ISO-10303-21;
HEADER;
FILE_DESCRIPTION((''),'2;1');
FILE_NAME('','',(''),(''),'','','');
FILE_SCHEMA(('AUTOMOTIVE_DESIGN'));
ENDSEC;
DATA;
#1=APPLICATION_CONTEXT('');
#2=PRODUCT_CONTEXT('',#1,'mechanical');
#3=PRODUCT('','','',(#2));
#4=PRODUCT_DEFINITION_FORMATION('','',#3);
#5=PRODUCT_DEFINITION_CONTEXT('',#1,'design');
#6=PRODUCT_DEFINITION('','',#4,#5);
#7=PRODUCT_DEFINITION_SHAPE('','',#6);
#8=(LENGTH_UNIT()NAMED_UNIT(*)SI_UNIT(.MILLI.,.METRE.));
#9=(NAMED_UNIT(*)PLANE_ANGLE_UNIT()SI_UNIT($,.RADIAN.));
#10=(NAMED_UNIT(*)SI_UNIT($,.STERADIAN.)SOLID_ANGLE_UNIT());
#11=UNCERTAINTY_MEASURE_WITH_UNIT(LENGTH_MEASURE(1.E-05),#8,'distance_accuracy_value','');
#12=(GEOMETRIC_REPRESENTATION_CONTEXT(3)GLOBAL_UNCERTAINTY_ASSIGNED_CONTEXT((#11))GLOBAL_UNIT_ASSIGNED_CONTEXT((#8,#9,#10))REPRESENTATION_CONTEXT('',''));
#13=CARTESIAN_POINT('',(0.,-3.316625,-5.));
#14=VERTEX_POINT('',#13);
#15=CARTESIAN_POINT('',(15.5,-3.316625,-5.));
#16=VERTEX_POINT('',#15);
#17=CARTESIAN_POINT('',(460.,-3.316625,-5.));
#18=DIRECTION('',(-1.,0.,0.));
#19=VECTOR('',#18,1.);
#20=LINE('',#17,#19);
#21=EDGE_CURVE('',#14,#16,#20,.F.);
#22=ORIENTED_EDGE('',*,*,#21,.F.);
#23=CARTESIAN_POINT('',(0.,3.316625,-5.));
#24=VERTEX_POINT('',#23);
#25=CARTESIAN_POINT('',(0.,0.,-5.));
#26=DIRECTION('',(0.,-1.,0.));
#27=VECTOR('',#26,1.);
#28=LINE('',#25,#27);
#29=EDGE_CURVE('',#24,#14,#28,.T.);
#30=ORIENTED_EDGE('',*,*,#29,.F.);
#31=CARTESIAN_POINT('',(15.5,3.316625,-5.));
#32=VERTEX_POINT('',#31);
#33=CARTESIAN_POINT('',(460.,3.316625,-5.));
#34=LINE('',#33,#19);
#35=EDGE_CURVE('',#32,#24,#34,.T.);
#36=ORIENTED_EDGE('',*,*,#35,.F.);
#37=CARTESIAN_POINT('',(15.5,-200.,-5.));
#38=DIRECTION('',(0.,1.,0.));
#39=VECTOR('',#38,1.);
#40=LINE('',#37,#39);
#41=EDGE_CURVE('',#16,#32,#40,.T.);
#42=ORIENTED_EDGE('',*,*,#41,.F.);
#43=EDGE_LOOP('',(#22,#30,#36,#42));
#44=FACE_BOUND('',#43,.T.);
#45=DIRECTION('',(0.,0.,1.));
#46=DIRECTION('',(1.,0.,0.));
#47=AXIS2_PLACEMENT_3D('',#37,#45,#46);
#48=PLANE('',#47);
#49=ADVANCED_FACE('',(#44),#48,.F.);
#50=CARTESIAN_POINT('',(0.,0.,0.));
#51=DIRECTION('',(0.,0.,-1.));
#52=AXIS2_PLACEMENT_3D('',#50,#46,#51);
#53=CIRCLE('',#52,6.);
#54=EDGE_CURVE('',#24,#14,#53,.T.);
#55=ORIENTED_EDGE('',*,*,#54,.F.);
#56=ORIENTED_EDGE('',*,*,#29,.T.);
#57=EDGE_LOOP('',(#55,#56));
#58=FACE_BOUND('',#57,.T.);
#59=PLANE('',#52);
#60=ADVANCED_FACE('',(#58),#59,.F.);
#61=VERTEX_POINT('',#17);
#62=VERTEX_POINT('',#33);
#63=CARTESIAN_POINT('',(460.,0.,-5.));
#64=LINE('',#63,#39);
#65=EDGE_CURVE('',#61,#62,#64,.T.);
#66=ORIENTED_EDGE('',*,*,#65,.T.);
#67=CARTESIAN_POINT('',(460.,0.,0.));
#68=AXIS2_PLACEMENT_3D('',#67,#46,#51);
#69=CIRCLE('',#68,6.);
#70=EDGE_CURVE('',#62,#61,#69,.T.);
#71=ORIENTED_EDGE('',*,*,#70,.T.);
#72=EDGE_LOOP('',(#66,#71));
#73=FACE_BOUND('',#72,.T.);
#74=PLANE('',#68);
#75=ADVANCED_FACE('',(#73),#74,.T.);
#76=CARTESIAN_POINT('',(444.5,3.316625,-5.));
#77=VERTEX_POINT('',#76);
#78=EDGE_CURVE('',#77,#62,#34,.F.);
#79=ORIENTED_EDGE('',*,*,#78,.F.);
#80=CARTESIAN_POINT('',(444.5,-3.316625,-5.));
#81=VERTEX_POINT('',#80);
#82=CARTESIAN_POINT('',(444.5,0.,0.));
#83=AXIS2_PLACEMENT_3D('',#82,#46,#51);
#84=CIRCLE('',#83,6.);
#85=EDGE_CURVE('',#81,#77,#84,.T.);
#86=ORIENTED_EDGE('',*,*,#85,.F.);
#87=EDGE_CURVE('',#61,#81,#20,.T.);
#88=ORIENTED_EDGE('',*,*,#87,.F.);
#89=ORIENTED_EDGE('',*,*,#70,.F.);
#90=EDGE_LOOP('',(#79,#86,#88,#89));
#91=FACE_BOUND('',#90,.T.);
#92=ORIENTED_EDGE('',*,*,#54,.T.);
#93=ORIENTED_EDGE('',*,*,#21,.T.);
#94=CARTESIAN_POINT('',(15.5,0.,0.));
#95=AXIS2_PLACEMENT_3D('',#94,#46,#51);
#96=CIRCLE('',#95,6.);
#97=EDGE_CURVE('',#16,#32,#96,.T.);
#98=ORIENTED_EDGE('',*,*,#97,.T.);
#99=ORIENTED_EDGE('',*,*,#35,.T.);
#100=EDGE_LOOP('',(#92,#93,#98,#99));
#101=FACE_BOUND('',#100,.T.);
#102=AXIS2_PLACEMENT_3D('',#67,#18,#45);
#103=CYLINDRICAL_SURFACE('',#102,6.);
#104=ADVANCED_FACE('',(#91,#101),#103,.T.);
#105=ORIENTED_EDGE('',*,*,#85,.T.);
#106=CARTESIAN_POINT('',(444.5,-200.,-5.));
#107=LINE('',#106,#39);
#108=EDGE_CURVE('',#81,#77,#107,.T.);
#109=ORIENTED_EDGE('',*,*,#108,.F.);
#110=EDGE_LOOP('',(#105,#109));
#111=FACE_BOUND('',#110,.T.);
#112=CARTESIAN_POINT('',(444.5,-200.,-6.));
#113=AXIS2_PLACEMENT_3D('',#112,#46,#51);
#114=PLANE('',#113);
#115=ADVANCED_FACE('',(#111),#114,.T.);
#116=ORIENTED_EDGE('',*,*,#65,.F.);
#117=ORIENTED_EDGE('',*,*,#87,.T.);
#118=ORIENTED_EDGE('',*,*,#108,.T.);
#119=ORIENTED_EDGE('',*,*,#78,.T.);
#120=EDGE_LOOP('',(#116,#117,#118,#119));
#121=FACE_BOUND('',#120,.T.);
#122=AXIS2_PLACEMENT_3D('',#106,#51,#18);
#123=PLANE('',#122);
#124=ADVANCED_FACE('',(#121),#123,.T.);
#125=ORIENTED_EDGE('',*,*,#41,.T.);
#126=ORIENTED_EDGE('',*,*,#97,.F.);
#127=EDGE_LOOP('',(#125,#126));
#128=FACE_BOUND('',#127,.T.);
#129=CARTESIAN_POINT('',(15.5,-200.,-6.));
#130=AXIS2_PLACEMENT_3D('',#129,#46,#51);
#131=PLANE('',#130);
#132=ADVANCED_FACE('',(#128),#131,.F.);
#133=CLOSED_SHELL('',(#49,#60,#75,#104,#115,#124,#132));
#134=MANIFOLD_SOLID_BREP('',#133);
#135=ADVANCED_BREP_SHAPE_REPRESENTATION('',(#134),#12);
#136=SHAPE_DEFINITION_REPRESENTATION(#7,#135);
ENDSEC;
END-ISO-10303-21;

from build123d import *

# Parameters (mm, degrees)
SKETCH_1_R          = 6
EXTRUDE_1_DEPTH     = 460
SKETCH_2_W          = 15.5
SKETCH_2_H          = 1
CUT_EXTRUDE_1_DEPTH = 200


with BuildPart() as part:
    # 草图1 → 凸台-拉伸1 (new body)
    with BuildSketch(Plane(origin=(0, 0, 0), x_dir=(0, 0, -1), z_dir=(1, 0, 0))):
        Circle(SKETCH_1_R)
    extrude(amount=EXTRUDE_1_DEPTH)

    # 草图2 → 切除-拉伸1 (cut, symmetric)
    with BuildSketch(Plane(origin=(0, 0, 0), x_dir=(1, 0, 0), z_dir=(0, 1, 0))):
        with Locations((7.75, 5.5)):
            Rectangle(SKETCH_2_W, SKETCH_2_H)
    cut_extrude_1 = extrude(amount=CUT_EXTRUDE_1_DEPTH, both=True, mode=Mode.SUBTRACT)

    # 镜向1: 切除-拉伸1 across plane
    add(cut_extrude_1.mirror(Plane.ZY.offset(-230)), mode=Mode.SUBTRACT)


solid = part.part
